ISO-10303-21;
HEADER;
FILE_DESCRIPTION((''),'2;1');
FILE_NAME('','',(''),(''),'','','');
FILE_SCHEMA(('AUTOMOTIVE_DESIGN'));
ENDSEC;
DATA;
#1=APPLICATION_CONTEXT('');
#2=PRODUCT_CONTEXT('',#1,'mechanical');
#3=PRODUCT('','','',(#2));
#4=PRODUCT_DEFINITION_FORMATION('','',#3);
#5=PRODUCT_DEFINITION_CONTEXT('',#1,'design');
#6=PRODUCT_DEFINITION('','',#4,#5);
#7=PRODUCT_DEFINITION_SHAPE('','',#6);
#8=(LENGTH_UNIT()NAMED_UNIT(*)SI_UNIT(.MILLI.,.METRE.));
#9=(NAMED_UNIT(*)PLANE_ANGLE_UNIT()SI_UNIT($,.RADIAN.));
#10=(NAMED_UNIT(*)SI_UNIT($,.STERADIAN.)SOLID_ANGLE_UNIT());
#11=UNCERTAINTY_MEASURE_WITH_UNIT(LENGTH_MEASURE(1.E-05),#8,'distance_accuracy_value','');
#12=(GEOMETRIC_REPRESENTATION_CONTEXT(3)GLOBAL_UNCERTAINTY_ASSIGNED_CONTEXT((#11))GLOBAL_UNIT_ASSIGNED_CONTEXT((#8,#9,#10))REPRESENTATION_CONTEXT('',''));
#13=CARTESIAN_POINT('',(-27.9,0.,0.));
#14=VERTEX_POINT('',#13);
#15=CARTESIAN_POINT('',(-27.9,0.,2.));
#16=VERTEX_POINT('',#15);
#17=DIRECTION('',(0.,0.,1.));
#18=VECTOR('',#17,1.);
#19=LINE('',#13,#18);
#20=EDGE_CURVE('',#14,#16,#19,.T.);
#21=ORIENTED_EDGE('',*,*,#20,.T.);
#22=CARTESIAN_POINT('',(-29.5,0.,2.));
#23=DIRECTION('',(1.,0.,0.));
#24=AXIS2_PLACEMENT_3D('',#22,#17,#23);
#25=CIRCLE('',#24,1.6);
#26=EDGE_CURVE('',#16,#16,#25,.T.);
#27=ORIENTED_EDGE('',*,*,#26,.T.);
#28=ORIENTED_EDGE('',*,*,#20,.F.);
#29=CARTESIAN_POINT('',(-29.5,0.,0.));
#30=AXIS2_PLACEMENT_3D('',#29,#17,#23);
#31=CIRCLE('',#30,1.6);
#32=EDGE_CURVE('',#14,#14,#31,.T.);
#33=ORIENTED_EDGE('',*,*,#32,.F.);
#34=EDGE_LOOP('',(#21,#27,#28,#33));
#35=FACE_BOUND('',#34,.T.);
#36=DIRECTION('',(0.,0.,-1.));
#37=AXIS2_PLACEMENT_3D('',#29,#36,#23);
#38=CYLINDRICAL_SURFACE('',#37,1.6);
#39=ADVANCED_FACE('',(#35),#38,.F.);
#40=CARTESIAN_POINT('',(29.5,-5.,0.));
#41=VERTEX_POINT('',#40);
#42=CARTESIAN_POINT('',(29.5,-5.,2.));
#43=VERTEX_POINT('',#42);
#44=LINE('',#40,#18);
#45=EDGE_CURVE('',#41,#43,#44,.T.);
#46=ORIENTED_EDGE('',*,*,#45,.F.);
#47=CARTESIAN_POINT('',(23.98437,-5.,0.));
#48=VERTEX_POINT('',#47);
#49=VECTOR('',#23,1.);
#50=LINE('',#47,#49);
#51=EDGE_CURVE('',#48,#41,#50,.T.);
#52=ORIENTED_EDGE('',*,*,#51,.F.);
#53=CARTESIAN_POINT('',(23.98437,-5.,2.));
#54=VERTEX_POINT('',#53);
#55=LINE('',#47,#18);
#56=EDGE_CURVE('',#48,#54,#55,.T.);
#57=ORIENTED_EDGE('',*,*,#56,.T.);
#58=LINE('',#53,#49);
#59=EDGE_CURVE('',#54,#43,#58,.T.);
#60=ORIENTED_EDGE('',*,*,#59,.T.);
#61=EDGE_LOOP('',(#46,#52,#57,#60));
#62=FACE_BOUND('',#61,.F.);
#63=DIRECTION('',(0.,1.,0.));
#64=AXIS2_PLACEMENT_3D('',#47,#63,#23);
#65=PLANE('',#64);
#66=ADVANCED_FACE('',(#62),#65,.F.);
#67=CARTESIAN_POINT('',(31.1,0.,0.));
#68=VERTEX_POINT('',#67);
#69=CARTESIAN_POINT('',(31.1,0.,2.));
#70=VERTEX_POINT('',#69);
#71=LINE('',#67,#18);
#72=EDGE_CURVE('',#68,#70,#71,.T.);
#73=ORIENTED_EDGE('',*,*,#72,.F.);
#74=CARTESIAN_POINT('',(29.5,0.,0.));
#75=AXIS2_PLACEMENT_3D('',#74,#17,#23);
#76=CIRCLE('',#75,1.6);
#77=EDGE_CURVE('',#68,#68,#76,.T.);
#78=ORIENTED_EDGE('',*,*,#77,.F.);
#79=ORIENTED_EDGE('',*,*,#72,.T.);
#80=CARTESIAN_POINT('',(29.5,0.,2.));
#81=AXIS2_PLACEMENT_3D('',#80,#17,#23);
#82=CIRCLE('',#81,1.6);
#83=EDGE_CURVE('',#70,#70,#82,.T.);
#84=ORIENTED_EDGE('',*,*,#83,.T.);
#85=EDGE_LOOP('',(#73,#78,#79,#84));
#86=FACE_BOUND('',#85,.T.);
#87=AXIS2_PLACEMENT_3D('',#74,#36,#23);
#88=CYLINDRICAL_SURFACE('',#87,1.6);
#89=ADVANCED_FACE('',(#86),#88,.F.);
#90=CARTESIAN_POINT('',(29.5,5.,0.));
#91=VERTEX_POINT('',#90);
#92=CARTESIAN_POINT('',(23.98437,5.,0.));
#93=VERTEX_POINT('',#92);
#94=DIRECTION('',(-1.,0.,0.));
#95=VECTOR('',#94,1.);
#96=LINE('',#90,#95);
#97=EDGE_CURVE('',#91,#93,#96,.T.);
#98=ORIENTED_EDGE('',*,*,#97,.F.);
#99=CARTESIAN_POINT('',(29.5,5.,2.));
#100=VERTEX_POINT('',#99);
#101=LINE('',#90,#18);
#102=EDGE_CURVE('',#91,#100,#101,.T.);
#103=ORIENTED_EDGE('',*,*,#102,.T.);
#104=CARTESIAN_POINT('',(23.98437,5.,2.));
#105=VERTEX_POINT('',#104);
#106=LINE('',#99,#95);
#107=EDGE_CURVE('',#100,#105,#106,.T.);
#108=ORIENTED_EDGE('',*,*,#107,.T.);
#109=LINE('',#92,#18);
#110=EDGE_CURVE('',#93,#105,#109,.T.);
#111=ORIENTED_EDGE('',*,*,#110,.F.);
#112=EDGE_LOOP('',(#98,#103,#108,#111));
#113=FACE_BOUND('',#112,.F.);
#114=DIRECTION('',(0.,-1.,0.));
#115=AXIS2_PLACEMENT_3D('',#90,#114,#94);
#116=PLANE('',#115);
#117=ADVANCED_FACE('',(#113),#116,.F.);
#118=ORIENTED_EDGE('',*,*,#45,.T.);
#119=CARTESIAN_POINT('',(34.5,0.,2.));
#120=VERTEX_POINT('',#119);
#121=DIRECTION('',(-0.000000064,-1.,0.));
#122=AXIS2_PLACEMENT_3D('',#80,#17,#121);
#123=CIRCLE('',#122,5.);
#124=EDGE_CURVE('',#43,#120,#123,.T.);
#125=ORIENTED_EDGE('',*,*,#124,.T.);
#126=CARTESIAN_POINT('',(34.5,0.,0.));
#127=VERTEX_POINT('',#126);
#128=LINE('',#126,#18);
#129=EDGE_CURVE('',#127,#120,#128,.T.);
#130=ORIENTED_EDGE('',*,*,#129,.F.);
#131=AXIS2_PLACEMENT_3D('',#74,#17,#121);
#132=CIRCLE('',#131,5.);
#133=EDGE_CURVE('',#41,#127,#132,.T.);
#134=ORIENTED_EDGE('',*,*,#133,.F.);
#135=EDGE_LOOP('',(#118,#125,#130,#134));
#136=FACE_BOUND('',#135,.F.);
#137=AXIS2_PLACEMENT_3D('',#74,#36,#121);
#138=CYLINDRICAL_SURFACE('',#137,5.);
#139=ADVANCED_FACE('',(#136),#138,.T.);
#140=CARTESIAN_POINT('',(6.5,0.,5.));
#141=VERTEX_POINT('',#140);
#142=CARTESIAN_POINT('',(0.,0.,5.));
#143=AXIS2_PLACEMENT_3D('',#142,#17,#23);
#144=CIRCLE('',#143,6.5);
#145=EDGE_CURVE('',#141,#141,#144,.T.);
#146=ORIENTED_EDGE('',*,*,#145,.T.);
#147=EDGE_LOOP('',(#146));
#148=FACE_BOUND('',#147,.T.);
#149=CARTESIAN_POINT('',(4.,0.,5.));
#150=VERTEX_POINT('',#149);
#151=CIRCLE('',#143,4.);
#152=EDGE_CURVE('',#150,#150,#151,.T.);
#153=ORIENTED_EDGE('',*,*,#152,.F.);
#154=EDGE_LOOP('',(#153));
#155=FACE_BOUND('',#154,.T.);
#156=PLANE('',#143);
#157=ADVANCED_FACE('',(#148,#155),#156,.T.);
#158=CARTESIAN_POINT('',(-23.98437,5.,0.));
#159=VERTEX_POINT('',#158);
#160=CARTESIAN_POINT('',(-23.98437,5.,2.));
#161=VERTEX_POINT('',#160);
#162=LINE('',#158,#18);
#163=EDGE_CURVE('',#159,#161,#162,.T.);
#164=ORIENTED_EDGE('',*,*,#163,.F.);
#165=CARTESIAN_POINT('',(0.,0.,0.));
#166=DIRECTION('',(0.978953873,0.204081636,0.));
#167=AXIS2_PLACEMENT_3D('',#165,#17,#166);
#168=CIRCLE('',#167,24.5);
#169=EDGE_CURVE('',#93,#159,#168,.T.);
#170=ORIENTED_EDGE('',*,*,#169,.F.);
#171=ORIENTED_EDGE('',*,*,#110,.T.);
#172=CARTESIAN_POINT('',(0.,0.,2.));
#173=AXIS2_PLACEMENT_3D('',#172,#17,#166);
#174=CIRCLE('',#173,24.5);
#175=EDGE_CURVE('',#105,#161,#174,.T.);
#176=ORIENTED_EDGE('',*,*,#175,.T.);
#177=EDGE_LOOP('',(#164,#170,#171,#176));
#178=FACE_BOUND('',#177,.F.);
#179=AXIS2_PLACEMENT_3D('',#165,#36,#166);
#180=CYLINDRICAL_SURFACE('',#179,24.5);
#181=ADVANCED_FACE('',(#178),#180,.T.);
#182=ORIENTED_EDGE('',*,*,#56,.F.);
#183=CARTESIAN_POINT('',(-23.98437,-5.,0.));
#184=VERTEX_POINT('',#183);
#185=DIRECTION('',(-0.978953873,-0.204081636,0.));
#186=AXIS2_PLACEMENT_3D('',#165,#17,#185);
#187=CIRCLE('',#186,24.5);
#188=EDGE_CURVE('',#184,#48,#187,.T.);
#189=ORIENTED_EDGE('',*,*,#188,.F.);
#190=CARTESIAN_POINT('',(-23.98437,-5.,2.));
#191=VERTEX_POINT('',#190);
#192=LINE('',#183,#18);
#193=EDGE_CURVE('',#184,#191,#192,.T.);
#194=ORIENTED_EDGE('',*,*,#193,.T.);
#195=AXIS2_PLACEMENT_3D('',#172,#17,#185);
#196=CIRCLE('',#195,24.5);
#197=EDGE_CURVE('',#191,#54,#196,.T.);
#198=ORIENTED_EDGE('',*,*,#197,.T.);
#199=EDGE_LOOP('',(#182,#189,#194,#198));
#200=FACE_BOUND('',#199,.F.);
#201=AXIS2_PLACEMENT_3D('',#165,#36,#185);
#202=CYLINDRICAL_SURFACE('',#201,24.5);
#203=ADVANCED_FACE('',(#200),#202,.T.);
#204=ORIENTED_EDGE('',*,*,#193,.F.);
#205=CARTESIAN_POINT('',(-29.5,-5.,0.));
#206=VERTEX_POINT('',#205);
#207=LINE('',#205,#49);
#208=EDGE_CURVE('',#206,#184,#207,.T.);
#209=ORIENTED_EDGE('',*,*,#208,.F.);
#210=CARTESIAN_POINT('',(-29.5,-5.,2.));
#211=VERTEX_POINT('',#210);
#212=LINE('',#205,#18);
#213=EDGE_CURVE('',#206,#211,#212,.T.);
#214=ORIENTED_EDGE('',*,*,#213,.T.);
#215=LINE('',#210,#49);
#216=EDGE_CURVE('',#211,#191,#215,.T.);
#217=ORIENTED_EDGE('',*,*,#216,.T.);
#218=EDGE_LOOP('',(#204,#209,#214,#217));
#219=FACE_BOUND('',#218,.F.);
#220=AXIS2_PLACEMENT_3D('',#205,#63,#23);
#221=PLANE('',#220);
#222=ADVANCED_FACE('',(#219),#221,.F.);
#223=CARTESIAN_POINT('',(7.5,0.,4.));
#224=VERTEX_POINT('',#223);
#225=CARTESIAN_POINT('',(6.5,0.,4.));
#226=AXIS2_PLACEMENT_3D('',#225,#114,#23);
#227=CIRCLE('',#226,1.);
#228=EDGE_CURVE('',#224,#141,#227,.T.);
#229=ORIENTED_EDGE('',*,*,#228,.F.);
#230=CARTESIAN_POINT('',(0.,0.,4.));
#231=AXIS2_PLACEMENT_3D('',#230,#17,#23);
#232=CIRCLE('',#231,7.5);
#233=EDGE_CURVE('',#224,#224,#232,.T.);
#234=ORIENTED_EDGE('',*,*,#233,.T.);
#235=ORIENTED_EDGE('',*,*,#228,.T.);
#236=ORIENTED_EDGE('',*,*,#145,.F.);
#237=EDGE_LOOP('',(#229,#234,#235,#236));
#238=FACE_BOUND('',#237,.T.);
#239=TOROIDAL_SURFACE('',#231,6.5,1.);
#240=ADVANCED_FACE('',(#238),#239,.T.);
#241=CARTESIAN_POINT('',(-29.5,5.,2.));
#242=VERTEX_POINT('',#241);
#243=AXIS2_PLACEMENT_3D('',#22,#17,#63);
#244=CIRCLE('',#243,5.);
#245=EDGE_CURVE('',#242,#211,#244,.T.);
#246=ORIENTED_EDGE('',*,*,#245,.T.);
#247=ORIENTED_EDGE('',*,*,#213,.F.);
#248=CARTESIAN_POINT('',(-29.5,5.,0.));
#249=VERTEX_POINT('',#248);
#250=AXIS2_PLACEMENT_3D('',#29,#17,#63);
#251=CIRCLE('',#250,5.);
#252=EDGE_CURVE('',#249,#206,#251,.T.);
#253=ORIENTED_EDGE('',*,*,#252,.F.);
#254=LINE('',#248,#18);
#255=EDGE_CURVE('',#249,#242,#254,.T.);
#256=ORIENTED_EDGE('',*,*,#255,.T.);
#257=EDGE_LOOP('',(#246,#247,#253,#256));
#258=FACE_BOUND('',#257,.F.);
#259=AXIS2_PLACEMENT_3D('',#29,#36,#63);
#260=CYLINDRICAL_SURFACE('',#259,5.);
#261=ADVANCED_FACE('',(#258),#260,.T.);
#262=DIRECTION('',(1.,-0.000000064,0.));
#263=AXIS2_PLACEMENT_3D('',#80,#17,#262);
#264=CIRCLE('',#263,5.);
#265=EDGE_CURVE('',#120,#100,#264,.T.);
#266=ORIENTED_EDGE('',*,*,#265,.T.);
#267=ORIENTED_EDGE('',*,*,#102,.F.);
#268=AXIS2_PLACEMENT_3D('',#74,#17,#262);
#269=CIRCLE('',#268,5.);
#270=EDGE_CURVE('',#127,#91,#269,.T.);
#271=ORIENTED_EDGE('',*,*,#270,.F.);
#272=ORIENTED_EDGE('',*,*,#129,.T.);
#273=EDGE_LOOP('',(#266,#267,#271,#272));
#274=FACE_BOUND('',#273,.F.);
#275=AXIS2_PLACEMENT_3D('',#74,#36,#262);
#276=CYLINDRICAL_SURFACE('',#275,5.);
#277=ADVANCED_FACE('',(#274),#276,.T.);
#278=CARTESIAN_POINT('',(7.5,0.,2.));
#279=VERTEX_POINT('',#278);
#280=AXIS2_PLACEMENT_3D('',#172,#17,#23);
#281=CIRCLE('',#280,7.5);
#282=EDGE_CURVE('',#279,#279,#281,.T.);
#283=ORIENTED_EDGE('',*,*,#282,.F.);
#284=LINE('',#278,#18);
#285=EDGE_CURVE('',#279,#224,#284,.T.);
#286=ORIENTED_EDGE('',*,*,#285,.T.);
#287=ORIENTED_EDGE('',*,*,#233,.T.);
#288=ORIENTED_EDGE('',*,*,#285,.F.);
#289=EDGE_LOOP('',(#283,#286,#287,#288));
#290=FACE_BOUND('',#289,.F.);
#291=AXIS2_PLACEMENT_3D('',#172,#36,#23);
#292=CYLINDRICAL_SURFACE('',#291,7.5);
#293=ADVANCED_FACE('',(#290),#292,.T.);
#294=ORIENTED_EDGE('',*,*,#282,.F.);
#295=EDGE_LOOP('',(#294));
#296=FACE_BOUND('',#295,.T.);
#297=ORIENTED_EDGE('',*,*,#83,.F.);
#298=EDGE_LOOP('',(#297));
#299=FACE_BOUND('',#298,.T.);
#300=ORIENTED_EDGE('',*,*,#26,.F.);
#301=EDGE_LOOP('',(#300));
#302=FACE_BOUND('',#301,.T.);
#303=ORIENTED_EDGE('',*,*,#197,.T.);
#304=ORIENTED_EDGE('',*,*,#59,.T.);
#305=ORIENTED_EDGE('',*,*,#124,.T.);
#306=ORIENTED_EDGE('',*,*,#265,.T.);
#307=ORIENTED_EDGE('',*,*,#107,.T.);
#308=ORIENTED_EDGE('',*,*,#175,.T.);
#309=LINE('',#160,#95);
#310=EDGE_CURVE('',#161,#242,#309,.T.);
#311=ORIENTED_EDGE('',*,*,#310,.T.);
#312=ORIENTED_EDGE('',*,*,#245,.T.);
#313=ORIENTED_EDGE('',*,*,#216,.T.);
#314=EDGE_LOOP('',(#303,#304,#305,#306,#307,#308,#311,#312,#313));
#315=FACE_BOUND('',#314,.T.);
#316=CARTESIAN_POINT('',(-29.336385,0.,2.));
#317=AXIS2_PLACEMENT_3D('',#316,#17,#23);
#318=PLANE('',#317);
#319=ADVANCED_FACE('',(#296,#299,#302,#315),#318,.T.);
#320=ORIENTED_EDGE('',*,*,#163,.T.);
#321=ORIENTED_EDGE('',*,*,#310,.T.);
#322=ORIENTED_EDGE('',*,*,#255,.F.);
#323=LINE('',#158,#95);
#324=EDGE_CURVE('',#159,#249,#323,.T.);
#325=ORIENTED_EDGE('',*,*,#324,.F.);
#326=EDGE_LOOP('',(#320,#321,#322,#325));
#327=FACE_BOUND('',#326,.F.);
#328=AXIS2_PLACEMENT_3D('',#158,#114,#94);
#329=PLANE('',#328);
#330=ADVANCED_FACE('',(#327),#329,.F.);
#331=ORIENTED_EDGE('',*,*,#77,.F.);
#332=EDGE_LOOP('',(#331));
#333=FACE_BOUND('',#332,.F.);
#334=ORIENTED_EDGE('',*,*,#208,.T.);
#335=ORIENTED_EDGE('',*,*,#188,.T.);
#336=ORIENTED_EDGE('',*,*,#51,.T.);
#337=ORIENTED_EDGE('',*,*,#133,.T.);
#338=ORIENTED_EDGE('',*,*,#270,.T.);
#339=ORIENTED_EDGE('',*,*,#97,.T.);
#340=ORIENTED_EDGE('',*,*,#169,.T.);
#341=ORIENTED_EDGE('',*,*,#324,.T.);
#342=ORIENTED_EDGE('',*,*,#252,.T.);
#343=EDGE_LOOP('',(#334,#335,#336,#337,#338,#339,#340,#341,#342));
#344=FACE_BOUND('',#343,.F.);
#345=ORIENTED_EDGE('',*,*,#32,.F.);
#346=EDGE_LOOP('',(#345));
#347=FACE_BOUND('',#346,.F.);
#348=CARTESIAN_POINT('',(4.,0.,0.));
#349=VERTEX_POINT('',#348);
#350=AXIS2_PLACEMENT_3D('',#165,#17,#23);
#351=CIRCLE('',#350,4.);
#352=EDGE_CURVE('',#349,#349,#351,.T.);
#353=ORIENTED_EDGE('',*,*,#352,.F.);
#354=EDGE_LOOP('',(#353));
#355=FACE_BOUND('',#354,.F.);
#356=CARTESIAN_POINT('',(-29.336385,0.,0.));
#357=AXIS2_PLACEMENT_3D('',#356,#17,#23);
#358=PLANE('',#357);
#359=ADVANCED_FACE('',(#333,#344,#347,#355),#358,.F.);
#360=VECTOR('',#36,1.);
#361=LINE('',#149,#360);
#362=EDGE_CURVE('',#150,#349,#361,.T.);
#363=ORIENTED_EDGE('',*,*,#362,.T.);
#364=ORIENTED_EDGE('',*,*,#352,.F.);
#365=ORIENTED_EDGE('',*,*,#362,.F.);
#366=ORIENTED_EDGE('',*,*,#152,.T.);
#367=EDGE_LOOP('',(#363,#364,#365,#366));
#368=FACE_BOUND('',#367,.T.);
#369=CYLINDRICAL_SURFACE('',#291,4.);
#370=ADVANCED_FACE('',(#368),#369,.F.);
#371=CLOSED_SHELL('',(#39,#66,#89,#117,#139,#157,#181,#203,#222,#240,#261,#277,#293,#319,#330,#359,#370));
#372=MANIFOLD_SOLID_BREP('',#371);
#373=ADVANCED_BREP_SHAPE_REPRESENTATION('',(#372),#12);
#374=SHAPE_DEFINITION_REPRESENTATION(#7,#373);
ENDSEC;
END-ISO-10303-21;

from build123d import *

# Parameters (mm, degrees)
F0_R     = 1.6
F0_R_2   = 4
F1_DEPTH = 2
F2_R     = 7.5
F2_R_2   = 4
F3_DEPTH = 3
F4_R     = 1


with BuildPart() as f1:
    # F0 (on Top) → F1 (new body)
    with BuildSketch(Plane.XY):
        with BuildLine():
            ThreePointArc((-29.5, -5), (-25.964466, -3.535534), (-24.5, 0))
            ThreePointArc((-24.5, 0), (-25.964466, 3.535534), (-29.5, 5))
            ThreePointArc((-29.5, 5), (-34.5, 0), (-29.5, -5))
        make_face()
        with Locations((-29.5, 0)):
            Circle(F0_R, mode=Mode.SUBTRACT)
        with BuildLine():
            ThreePointArc((-29.5, 5), (-25.964466, 3.535534), (-24.5, 0))
            ThreePointArc((-24.5, 0), (-24.370752, 2.513259), (-23.98437, 5))
            Line((-23.98437, 5), (-29.5, 5))
        make_face()
        with BuildLine():
            ThreePointArc((-23.98437, -5), (-24.370752, -2.513259), (-24.5, 0))
            ThreePointArc((-24.5, 0), (-25.964466, -3.535534), (-29.5, -5))
            Line((-29.5, -5), (-23.98437, -5))
        make_face()
        with BuildLine():
            ThreePointArc((-23.98437, 5), (-24.370752, 2.513259), (-24.5, 0))
            ThreePointArc((-24.5, 0), (-24.370752, -2.513259), (-23.98437, -5))
            ThreePointArc((-23.98437, -5), (0, -24.5), (23.98437, -5))
            ThreePointArc((23.98437, -5), (24.370752, -2.513259), (24.5, 0))
            ThreePointArc((24.5, 0), (24.370752, 2.513259), (23.98437, 5))
            ThreePointArc((23.98437, 5), (0, 24.5), (-23.98437, 5))
        make_face()
        Circle(F0_R_2, mode=Mode.SUBTRACT)
        with BuildLine():
            ThreePointArc((29.5, 5), (25.964466, 3.535534), (24.5, 0))
            ThreePointArc((24.5, 0), (25.964466, -3.535534), (29.5, -5))
            ThreePointArc((29.5, -5), (33.035534, -3.535534), (34.5, 0))
            ThreePointArc((34.5, 0), (33.035534, 3.535534), (29.5, 5))
        make_face()
        with Locations((29.5, 0)):
            Circle(F0_R, mode=Mode.SUBTRACT)
        with BuildLine():
            ThreePointArc((24.5, 0), (24.370752, -2.513259), (23.98437, -5))
            Line((23.98437, -5), (29.5, -5))
            ThreePointArc((29.5, -5), (25.964466, -3.535534), (24.5, 0))
        make_face()
        with BuildLine():
            Line((29.5, 5), (23.98437, 5))
            ThreePointArc((23.98437, 5), (24.370752, 2.513259), (24.5, 0))
            ThreePointArc((24.5, 0), (25.964466, 3.535534), (29.5, 5))
        make_face()
    extrude(amount=F1_DEPTH)

    # F2 (on face) → F3 (join)
    with BuildSketch(Plane.XY.offset(2)):
        Circle(F2_R)
        Circle(F2_R_2, mode=Mode.SUBTRACT)
    extrude(amount=F3_DEPTH)

    # F4
    f4_edges = [f1.edges().sort_by_distance(p)[0] for p in [
        (-7.5, 0, 5),
    ]]
    fillet(f4_edges, radius=F4_R)


solid = f1.part
